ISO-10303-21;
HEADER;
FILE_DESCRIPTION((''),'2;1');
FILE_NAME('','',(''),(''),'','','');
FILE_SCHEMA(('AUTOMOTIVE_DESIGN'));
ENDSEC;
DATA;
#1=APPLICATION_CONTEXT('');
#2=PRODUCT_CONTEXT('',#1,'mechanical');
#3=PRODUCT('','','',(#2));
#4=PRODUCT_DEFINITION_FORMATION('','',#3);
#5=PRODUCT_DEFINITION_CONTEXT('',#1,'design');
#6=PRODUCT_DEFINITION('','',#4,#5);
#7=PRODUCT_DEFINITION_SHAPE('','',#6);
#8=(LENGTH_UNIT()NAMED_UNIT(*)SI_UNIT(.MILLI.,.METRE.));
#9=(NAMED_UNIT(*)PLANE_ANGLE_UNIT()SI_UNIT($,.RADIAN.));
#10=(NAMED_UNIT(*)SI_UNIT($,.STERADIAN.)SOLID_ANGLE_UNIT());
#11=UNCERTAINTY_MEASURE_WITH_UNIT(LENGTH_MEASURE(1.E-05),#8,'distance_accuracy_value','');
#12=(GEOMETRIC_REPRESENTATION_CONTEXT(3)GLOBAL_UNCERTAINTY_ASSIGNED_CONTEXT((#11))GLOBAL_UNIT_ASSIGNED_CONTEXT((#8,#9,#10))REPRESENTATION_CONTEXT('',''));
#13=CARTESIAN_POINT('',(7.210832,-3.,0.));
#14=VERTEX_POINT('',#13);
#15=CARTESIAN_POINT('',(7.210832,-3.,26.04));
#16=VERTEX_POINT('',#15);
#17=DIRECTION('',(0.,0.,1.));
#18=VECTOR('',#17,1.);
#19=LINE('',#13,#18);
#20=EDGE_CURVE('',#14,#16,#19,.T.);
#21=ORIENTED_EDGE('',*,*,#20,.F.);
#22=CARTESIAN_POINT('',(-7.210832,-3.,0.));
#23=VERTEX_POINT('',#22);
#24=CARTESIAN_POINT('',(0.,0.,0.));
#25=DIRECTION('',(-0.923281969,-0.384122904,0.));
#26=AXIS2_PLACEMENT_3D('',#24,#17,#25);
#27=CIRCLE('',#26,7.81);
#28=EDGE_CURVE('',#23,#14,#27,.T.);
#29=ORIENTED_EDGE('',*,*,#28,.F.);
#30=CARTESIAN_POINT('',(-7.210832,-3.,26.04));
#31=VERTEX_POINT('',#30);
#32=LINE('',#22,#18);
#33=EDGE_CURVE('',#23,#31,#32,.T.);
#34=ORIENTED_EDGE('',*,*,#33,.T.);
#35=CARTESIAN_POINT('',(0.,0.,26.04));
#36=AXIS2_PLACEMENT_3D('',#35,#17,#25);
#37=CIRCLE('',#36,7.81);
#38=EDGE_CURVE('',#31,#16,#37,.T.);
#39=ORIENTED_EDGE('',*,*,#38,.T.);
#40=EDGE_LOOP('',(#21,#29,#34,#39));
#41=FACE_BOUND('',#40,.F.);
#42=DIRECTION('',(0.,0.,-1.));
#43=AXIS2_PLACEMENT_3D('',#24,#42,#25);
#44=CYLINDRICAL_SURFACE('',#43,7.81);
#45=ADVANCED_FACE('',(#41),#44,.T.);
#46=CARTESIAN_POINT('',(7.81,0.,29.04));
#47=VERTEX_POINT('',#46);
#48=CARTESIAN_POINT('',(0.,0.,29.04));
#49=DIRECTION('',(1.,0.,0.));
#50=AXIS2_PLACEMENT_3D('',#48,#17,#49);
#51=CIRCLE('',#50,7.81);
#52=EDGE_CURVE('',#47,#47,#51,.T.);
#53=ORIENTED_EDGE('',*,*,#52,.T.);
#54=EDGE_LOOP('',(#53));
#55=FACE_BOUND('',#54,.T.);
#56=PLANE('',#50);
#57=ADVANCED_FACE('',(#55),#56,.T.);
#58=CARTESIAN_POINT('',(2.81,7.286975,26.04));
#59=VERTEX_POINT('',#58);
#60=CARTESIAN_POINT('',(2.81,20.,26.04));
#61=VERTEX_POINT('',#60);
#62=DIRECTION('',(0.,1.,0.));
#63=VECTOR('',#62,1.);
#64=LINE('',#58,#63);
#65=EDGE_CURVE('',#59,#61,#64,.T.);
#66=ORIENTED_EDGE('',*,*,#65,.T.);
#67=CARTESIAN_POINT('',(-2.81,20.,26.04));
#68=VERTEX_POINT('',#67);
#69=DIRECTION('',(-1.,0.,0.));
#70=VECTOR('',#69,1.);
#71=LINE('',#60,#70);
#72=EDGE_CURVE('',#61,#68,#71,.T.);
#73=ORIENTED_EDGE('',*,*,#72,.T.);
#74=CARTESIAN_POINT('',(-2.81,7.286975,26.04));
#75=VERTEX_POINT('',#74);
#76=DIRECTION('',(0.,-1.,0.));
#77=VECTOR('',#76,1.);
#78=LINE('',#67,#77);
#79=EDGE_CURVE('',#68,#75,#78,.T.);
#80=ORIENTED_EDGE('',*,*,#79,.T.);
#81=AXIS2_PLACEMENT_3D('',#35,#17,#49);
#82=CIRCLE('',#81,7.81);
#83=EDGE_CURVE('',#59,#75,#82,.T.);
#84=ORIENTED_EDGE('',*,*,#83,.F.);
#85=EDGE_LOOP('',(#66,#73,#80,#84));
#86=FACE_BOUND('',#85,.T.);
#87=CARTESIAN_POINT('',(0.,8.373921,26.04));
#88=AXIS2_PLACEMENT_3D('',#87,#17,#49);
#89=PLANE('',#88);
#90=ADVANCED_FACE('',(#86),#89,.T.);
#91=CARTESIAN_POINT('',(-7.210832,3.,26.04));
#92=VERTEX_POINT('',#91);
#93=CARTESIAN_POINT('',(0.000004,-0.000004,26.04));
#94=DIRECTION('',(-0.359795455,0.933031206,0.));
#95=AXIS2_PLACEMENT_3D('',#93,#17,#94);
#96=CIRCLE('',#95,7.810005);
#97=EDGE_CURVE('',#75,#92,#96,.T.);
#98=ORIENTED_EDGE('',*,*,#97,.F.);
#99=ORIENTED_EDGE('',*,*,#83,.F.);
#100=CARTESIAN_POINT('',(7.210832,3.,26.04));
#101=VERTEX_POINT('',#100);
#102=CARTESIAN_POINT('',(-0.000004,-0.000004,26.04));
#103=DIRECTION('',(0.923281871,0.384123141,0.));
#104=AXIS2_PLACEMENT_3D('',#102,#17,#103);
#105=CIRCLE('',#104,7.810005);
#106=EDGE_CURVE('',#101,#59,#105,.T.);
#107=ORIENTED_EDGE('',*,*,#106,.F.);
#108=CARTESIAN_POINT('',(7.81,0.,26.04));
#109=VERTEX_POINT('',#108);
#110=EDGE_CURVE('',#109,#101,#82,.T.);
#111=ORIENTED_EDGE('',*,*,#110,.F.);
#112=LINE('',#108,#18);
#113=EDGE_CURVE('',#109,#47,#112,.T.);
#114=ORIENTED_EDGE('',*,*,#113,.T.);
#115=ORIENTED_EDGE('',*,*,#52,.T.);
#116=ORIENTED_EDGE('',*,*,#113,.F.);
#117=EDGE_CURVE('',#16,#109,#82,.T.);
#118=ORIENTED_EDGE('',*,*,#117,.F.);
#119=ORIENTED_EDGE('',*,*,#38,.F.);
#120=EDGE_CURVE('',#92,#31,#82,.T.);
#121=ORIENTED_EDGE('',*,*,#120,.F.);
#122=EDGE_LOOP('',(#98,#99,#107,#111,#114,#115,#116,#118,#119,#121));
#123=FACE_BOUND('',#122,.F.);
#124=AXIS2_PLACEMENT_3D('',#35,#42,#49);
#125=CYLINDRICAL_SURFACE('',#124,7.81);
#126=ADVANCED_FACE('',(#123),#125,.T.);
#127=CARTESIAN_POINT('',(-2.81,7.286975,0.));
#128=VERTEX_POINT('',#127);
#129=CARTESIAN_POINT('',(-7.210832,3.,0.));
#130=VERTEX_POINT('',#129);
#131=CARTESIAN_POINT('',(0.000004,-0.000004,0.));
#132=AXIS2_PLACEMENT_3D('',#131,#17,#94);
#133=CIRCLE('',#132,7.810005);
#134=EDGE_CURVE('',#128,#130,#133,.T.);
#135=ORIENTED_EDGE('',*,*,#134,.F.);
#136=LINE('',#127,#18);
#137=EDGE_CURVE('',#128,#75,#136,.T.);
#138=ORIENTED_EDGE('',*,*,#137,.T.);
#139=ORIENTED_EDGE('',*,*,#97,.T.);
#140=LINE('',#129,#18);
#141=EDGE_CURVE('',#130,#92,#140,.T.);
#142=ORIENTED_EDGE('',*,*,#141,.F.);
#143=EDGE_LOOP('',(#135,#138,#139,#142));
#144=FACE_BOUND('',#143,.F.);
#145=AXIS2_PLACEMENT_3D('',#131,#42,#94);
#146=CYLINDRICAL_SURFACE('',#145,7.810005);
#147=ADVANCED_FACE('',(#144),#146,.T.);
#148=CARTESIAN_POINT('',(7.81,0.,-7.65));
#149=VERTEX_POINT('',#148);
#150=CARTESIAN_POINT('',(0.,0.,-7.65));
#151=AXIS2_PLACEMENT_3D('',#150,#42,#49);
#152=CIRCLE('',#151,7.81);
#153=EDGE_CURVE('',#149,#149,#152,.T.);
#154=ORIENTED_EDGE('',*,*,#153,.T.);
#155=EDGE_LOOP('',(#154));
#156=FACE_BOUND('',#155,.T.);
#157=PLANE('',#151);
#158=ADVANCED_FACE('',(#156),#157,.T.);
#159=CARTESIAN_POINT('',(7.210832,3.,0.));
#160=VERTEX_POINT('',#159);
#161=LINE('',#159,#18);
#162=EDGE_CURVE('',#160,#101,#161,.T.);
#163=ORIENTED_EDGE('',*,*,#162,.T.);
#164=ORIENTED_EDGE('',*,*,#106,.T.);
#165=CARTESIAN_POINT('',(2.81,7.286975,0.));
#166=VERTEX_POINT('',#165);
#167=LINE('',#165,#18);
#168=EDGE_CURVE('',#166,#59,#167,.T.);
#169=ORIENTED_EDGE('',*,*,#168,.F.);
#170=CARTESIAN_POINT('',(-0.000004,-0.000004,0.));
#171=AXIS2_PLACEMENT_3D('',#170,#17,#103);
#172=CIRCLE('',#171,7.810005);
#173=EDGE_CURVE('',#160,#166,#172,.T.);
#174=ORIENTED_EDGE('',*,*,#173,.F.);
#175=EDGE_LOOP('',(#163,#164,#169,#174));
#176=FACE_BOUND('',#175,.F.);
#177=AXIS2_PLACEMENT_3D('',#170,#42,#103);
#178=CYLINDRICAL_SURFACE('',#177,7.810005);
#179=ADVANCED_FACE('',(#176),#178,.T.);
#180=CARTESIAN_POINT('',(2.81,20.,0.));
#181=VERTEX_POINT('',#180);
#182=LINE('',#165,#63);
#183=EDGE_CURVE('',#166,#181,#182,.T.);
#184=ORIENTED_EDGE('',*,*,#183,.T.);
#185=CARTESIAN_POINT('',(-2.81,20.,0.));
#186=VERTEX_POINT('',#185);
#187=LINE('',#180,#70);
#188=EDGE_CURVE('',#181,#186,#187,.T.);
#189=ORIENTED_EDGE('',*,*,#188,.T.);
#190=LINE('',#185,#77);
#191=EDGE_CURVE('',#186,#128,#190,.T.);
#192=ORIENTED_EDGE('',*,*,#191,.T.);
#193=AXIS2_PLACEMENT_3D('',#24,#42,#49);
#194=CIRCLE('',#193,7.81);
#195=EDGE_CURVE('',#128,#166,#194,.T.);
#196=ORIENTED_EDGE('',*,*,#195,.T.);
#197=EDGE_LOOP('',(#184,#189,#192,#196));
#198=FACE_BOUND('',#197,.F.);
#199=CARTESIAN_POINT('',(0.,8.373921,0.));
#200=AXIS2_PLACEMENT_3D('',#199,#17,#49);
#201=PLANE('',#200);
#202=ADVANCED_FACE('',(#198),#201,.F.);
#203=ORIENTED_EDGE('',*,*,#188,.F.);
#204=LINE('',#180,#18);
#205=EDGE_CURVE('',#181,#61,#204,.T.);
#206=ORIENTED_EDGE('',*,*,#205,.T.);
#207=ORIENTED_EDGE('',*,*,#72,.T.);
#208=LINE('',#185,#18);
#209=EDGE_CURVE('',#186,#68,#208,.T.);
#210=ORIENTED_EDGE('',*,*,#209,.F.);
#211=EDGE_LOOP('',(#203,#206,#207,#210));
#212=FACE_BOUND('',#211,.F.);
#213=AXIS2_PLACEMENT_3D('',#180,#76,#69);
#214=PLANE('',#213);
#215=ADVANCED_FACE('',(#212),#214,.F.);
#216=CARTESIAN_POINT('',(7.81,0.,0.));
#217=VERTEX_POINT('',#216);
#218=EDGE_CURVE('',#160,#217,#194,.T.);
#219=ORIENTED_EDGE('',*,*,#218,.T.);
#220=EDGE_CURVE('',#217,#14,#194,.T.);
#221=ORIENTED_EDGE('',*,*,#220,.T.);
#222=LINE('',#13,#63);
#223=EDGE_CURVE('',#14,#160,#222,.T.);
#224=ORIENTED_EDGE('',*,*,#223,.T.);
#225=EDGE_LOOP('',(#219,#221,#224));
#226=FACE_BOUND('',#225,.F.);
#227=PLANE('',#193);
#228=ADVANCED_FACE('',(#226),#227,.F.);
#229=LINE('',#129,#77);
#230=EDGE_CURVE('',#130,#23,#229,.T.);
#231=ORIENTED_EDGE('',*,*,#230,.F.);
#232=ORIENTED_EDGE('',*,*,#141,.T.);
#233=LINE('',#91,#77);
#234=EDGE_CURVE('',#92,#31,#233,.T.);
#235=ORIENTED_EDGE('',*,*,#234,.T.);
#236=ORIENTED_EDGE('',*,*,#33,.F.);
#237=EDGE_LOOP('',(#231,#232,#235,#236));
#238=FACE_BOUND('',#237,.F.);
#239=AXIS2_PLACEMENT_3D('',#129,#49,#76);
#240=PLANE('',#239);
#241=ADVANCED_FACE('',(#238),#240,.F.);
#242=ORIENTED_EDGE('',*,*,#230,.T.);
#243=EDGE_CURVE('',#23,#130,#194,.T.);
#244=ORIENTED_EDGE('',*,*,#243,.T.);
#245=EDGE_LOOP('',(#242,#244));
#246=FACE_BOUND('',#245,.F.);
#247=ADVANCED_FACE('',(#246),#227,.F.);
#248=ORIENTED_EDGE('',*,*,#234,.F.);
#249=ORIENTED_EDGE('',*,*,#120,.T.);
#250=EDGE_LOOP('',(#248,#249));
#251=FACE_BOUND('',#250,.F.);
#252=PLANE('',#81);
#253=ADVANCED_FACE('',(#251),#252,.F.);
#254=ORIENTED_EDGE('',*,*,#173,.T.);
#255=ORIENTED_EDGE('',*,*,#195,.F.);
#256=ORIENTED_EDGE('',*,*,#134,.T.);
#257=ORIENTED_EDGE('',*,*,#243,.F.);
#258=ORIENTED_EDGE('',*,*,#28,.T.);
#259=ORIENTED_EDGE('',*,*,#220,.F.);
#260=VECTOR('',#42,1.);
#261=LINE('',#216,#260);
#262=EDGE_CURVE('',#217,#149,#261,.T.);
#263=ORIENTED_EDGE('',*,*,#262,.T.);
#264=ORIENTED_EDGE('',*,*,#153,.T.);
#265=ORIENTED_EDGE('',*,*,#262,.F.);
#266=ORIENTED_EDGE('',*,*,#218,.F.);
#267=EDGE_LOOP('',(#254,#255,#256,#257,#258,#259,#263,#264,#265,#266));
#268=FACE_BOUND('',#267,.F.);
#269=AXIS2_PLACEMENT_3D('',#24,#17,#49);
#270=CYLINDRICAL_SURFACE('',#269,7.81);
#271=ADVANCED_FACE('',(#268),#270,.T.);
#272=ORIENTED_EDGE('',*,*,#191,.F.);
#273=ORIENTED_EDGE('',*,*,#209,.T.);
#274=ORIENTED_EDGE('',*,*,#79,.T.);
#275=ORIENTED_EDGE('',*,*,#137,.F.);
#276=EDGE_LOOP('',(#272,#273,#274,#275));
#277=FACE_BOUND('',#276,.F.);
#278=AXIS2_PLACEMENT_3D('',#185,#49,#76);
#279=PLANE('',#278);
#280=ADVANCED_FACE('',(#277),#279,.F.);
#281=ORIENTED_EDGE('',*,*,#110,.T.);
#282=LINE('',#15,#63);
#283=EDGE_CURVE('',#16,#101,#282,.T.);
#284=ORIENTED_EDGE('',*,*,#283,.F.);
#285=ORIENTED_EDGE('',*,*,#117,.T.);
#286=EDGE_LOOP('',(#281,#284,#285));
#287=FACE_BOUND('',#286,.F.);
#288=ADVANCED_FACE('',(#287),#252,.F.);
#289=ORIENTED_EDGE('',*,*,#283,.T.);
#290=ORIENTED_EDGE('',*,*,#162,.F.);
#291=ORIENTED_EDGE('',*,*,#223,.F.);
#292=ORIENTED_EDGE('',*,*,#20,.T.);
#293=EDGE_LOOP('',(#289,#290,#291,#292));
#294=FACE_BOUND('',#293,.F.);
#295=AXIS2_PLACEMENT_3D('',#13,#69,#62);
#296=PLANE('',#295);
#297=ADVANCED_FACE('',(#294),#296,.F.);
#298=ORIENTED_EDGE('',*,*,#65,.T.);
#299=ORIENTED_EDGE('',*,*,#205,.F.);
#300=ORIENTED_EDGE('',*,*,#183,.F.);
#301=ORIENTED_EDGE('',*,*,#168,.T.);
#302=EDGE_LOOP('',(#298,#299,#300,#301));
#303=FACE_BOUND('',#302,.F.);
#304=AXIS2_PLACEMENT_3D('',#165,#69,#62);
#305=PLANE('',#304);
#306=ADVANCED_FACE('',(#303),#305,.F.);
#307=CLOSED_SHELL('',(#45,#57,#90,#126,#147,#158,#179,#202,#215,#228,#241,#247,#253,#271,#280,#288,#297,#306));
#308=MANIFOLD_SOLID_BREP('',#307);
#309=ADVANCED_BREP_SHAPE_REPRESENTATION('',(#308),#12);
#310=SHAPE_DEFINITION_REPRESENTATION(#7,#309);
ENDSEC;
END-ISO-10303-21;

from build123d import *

# Parameters (mm, degrees)
F1_DEPTH = 26.04
F2_R     = 7.81
F3_DEPTH = 3
F4_R     = 7.81
F5_DEPTH = 7.65


with BuildPart() as f1:
    # F0 (on Top) → F1 (new body)
    with BuildSketch(Plane.XY):
        with BuildLine():
            Line((-2.81, 20), (-2.81, 7.286975))
            ThreePointArc((-2.81, 7.286975), (-5.449661, 5.594398), (-7.210832, 3))
            Line((-7.210832, 3), (-7.210832, 0))
            Line((-7.210832, 0), (7.210832, 0))
            Line((7.210832, 0), (7.210832, 3))
            ThreePointArc((7.210832, 3), (5.449661, 5.594398), (2.81, 7.286975))
            Line((2.81, 7.286975), (2.81, 20))
            Line((2.81, 20), (-2.81, 20))
        make_face()
        with BuildLine():
            Line((7.210832, 0), (-7.210832, 0))
            Line((-7.210832, 0), (-7.210832, -3))
            ThreePointArc((-7.210832, -3), (0, -7.81), (7.210832, -3))
            Line((7.210832, -3), (7.210832, 0))
        make_face()
    extrude(amount=F1_DEPTH)

    # F2 (on face) → F3 (join)
    with BuildSketch(Plane.XY.offset(26.04)):
        Circle(F2_R)
    extrude(amount=F3_DEPTH)

    # F4 (on face) → F5 (join)
    with BuildSketch(Plane(origin=(0, 0, 0), x_dir=(1, 0, 0), z_dir=(0, 0, -1))):
        Circle(F4_R)
    extrude(amount=F5_DEPTH)


solid = f1.part
